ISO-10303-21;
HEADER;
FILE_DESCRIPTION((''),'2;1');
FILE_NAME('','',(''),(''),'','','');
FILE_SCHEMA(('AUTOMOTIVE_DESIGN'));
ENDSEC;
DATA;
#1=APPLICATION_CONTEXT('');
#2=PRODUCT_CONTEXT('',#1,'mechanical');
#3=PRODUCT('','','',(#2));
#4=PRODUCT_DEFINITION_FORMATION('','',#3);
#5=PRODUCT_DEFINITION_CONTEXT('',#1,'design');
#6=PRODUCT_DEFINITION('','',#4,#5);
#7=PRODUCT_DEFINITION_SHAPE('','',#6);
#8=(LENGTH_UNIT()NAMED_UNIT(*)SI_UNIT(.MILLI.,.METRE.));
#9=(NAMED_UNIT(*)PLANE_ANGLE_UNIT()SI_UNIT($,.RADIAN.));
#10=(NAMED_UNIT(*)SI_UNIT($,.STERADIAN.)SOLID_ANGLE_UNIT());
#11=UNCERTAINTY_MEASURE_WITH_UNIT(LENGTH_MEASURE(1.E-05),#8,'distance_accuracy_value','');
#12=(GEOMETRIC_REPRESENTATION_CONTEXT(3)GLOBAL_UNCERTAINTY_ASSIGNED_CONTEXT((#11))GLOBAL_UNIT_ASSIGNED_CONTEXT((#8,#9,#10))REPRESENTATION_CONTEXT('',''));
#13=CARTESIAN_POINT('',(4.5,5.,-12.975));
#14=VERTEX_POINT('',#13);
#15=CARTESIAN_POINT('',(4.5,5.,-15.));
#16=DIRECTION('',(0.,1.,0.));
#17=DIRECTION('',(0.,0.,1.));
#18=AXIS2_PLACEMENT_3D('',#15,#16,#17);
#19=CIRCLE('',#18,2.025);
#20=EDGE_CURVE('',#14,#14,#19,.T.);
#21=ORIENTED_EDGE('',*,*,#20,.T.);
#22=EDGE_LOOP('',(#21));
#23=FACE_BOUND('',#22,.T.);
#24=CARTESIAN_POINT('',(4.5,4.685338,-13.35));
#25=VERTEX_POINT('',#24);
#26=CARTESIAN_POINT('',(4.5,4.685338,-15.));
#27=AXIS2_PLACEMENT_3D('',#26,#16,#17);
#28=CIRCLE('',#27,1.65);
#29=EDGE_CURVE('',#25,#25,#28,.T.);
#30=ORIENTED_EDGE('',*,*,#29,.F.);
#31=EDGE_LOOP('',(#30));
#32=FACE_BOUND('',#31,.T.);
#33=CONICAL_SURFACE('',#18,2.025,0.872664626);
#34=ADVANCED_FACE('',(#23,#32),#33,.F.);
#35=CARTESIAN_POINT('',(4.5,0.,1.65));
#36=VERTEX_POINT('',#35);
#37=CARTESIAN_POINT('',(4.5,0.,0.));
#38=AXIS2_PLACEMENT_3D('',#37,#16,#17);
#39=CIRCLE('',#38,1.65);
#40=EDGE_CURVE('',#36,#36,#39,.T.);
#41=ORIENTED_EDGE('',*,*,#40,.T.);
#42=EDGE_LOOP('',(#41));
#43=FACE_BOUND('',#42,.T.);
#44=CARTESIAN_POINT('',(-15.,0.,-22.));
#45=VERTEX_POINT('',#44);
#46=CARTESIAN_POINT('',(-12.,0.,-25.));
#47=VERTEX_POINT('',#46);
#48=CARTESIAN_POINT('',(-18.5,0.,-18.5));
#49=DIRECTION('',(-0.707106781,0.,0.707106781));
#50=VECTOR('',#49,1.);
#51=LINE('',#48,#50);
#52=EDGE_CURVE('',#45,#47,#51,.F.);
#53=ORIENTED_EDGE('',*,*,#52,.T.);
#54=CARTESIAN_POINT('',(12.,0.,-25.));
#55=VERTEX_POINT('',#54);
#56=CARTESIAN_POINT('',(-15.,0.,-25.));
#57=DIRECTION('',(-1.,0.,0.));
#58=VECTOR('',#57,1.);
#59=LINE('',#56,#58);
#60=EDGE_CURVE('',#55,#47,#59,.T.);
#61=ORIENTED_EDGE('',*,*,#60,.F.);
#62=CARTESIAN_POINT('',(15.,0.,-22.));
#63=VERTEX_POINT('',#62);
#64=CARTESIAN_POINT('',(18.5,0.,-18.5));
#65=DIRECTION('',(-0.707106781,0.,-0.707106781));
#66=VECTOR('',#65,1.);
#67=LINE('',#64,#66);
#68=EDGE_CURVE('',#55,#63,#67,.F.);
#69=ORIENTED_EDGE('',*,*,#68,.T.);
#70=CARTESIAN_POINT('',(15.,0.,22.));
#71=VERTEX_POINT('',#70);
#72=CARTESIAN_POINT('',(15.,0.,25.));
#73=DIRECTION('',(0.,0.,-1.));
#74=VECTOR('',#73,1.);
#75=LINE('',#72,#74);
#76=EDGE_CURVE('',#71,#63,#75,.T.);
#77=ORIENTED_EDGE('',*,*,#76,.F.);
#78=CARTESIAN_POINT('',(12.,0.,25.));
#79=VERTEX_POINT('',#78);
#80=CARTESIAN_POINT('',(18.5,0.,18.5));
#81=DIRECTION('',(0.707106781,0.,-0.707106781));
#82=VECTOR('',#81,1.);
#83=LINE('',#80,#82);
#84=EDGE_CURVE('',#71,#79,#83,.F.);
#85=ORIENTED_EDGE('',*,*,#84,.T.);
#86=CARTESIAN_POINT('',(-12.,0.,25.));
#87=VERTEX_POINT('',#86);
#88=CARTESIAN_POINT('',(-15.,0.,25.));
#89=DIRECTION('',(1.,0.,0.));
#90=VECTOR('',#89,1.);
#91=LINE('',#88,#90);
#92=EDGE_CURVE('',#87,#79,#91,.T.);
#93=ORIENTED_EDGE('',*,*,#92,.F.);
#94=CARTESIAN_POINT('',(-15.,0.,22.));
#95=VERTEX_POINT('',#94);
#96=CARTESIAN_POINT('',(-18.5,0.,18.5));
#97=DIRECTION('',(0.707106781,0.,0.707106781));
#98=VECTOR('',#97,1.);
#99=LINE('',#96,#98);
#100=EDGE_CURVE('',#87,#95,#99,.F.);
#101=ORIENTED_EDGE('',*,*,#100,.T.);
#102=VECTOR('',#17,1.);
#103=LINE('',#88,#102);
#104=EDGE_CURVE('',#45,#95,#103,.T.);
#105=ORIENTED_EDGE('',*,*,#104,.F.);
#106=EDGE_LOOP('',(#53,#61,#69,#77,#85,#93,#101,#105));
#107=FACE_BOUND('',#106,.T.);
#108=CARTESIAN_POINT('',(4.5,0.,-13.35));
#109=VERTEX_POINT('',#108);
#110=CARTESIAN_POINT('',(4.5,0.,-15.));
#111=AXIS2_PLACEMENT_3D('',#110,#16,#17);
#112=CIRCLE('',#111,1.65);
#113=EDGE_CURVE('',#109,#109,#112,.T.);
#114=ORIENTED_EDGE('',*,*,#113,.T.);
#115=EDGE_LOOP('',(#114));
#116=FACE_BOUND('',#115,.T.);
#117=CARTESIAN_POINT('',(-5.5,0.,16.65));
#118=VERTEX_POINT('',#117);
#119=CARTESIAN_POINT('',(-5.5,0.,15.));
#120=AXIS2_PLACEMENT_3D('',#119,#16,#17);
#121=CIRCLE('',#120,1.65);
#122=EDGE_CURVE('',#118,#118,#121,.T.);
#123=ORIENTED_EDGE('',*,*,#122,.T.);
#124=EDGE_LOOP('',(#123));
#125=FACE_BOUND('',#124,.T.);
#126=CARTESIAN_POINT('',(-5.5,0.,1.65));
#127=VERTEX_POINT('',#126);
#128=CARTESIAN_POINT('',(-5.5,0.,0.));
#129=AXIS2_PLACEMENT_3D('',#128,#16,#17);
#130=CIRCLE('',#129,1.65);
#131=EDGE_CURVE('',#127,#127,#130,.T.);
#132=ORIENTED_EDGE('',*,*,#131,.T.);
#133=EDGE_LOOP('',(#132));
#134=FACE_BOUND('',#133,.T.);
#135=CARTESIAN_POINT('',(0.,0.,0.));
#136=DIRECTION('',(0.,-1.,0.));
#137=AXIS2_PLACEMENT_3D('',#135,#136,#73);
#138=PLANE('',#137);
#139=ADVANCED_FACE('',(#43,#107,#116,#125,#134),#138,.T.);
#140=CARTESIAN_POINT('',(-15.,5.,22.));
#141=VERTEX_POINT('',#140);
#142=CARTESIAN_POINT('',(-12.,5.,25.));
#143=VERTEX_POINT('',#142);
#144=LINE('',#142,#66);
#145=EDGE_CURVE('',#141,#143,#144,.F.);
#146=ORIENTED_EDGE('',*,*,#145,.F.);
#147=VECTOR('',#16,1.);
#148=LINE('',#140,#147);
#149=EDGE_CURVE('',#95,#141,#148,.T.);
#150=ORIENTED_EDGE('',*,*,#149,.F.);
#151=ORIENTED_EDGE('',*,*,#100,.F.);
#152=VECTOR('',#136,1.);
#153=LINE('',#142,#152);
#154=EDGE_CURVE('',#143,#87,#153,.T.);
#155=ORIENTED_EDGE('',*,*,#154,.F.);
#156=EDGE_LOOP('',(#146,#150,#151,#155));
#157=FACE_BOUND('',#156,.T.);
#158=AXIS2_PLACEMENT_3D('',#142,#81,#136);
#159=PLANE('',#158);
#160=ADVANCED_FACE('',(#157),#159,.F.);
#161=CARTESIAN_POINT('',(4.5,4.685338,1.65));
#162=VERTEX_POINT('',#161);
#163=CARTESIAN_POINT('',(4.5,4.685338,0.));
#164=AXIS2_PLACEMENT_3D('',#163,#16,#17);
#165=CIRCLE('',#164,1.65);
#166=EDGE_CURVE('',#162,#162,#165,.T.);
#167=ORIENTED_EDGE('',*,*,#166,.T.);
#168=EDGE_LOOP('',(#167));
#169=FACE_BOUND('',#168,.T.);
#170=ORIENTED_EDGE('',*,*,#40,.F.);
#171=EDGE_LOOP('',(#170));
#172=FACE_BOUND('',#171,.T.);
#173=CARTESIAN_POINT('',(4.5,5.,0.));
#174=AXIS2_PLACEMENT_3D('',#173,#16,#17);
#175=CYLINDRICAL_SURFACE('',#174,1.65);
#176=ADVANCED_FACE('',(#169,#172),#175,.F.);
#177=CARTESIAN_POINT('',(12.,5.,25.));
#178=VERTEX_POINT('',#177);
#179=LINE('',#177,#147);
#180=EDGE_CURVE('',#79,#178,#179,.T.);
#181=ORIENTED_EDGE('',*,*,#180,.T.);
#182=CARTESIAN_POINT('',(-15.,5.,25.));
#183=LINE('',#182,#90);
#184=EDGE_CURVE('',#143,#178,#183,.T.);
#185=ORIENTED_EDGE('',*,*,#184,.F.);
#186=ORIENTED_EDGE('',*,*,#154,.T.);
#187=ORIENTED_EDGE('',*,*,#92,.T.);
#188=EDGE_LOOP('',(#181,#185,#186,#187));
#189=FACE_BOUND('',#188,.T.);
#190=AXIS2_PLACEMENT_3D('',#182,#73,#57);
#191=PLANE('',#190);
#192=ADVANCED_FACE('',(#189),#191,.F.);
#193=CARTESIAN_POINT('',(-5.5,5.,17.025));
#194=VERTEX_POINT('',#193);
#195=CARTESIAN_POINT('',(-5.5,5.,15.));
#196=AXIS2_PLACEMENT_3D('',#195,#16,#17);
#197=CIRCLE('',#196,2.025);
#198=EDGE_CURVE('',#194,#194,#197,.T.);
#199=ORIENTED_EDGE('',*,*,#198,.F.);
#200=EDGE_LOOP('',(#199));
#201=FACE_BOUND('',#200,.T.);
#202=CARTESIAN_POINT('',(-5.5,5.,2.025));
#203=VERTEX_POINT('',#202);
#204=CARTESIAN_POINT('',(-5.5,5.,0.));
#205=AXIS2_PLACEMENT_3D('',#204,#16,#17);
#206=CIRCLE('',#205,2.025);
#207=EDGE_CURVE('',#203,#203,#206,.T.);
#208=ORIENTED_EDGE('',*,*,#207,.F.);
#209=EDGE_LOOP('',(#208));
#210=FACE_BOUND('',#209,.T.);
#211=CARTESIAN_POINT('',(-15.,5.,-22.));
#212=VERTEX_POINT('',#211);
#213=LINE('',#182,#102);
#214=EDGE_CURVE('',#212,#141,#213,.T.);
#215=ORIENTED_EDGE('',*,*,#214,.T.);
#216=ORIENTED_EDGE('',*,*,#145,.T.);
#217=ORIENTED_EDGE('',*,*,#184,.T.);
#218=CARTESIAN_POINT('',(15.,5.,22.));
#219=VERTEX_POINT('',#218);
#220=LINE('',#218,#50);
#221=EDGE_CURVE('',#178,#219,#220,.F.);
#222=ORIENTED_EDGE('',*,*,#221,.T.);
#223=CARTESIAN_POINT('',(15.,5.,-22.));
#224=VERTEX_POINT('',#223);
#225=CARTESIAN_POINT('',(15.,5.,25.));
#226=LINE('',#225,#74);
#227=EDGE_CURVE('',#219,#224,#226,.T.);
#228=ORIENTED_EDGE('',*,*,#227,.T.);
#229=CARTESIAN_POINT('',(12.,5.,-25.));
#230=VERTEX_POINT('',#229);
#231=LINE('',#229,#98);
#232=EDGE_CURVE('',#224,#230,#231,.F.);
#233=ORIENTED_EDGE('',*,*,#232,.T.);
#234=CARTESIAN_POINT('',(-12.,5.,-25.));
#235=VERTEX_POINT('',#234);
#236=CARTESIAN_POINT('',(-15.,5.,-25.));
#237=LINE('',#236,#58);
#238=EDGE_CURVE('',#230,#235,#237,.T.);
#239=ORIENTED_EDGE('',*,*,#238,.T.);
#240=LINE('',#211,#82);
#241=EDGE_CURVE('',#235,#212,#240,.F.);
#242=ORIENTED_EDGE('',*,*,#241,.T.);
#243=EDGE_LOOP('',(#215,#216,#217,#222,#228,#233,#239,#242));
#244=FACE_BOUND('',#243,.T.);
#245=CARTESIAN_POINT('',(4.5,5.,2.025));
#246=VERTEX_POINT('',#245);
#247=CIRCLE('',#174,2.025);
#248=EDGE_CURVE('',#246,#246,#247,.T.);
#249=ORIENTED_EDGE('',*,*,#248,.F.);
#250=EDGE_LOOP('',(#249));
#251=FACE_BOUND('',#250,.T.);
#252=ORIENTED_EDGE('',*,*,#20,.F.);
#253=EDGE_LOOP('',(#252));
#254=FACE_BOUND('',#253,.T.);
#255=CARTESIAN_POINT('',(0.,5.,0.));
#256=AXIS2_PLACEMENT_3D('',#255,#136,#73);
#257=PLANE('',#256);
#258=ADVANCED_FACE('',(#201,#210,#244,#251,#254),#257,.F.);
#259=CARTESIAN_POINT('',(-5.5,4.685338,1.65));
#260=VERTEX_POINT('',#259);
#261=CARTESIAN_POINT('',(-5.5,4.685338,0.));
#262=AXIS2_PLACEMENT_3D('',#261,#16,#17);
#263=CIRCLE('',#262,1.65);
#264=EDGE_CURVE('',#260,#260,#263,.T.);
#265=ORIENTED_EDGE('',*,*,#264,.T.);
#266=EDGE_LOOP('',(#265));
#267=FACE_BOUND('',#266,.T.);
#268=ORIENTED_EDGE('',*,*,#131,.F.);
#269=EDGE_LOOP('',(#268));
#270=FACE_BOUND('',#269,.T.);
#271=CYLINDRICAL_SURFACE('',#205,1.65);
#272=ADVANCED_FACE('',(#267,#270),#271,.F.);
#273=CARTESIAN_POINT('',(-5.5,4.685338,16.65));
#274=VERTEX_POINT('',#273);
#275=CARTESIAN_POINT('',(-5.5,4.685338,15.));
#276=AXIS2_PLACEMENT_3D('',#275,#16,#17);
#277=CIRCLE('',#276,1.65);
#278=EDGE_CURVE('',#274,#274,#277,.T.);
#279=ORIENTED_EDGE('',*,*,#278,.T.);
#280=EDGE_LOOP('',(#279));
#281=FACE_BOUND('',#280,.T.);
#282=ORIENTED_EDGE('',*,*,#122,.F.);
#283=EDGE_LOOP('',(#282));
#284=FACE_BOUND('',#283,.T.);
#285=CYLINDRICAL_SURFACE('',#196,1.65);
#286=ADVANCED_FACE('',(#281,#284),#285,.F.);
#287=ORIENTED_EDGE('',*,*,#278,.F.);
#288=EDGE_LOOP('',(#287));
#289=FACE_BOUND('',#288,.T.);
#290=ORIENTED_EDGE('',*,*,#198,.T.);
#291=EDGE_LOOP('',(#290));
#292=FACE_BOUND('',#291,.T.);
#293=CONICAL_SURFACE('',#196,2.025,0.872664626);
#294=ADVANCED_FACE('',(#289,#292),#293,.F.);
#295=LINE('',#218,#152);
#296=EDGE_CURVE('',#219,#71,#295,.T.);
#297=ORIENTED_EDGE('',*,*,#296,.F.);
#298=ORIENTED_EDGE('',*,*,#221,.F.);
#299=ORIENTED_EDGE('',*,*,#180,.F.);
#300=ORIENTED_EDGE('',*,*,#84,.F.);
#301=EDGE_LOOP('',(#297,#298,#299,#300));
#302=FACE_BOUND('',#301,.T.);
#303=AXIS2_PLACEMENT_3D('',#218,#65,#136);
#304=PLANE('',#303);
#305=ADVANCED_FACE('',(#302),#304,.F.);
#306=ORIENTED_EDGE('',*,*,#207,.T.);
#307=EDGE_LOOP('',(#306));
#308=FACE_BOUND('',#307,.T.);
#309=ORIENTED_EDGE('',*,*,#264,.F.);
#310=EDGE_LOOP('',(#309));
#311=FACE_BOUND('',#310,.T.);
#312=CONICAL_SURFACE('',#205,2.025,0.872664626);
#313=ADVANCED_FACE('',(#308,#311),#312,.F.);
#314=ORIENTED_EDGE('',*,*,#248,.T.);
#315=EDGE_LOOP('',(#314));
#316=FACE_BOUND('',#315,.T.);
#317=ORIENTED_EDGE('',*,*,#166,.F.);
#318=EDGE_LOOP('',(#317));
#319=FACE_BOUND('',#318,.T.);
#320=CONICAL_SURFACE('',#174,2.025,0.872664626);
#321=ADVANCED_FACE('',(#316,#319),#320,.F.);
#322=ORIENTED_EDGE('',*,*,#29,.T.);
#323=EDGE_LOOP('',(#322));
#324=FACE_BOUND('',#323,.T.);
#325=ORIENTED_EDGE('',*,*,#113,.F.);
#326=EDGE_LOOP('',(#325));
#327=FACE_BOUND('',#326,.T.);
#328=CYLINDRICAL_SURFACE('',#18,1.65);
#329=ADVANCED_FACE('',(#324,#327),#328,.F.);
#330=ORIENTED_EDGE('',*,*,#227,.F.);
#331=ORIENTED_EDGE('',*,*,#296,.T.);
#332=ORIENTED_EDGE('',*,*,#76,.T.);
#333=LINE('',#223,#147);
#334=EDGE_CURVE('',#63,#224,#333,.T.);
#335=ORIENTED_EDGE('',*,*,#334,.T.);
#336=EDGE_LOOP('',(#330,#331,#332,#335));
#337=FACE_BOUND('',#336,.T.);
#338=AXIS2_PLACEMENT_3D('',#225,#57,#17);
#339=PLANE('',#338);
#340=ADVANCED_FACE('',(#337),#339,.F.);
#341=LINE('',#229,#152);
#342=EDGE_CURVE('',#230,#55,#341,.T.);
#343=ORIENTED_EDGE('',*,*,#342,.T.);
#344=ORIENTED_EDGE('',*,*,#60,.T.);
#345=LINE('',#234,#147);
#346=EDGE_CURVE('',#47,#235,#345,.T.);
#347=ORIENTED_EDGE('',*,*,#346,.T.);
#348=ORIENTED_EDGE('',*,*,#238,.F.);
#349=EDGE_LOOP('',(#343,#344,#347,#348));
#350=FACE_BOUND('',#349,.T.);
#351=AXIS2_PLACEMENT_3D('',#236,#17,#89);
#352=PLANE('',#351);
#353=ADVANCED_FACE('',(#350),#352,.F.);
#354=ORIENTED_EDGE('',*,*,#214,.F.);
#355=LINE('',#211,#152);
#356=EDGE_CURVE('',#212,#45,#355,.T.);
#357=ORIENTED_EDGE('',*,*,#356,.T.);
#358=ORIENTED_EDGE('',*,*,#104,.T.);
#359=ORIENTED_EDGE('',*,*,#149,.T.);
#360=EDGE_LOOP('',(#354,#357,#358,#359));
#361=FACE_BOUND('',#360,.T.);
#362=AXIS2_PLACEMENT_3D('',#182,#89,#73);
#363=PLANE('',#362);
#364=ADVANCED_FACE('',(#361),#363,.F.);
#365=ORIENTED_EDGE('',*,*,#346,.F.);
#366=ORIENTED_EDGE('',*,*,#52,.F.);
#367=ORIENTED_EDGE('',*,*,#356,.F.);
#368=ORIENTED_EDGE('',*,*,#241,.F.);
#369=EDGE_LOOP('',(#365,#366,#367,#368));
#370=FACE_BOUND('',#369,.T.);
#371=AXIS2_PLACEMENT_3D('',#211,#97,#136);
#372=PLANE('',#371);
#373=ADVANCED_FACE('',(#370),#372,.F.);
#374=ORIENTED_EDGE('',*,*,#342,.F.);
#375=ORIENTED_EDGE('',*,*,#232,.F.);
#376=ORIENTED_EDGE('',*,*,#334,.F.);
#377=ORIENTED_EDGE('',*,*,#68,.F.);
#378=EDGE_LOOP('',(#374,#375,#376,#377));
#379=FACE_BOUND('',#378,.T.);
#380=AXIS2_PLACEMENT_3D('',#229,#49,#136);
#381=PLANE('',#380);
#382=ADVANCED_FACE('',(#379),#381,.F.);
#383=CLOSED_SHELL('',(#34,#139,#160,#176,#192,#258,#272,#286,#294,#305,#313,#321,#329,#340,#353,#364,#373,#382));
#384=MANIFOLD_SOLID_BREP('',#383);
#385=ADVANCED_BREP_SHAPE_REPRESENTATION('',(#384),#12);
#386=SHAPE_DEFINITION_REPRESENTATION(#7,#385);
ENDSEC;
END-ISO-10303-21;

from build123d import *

# Parameters (mm, degrees)
SKETCH1_W                       = 30
SKETCH1_H                       = 50
BOSS_EXTRUDE1_DEPTH             = 5
M4X0_7_TAPPED_HOLE1_D           = 3.3
M4X0_7_TAPPED_HOLE1_CSINK_D     = 4.05
M4X0_7_TAPPED_HOLE1_CSINK_ANGLE = 100
CHAMFER1_SIZE                   = 3


with BuildPart() as part:
    # Sketch1 → Boss-Extrude1 (new body)
    with BuildSketch(Plane(origin=(0, 0, 0), x_dir=(1, 0, 0), z_dir=(0, 1, 0))):
        Rectangle(SKETCH1_W, SKETCH1_H)
    extrude(amount=BOSS_EXTRUDE1_DEPTH)

    # M4x0.7 Tapped Hole1 (through all)
    with Locations(Plane(origin=(0, 5, 0), x_dir=(1, 0, 0), z_dir=(0, 1, 0))):
        with Locations((-5.5, -15), (-5.5, 0), (4.5, 0), (4.5, 15)):
            CounterSinkHole(M4X0_7_TAPPED_HOLE1_D / 2, M4X0_7_TAPPED_HOLE1_CSINK_D / 2, counter_sink_angle=M4X0_7_TAPPED_HOLE1_CSINK_ANGLE)

    # Chamfer1
    chamfer1_edges = [part.edges().sort_by_distance(p)[0] for p in [
        (15, 2.5, 25),
        (-15, 2.5, 25),
        (-15, 2.5, -25),
        (15, 2.5, -25),
    ]]
    chamfer(chamfer1_edges, length=CHAMFER1_SIZE)


solid = part.part
